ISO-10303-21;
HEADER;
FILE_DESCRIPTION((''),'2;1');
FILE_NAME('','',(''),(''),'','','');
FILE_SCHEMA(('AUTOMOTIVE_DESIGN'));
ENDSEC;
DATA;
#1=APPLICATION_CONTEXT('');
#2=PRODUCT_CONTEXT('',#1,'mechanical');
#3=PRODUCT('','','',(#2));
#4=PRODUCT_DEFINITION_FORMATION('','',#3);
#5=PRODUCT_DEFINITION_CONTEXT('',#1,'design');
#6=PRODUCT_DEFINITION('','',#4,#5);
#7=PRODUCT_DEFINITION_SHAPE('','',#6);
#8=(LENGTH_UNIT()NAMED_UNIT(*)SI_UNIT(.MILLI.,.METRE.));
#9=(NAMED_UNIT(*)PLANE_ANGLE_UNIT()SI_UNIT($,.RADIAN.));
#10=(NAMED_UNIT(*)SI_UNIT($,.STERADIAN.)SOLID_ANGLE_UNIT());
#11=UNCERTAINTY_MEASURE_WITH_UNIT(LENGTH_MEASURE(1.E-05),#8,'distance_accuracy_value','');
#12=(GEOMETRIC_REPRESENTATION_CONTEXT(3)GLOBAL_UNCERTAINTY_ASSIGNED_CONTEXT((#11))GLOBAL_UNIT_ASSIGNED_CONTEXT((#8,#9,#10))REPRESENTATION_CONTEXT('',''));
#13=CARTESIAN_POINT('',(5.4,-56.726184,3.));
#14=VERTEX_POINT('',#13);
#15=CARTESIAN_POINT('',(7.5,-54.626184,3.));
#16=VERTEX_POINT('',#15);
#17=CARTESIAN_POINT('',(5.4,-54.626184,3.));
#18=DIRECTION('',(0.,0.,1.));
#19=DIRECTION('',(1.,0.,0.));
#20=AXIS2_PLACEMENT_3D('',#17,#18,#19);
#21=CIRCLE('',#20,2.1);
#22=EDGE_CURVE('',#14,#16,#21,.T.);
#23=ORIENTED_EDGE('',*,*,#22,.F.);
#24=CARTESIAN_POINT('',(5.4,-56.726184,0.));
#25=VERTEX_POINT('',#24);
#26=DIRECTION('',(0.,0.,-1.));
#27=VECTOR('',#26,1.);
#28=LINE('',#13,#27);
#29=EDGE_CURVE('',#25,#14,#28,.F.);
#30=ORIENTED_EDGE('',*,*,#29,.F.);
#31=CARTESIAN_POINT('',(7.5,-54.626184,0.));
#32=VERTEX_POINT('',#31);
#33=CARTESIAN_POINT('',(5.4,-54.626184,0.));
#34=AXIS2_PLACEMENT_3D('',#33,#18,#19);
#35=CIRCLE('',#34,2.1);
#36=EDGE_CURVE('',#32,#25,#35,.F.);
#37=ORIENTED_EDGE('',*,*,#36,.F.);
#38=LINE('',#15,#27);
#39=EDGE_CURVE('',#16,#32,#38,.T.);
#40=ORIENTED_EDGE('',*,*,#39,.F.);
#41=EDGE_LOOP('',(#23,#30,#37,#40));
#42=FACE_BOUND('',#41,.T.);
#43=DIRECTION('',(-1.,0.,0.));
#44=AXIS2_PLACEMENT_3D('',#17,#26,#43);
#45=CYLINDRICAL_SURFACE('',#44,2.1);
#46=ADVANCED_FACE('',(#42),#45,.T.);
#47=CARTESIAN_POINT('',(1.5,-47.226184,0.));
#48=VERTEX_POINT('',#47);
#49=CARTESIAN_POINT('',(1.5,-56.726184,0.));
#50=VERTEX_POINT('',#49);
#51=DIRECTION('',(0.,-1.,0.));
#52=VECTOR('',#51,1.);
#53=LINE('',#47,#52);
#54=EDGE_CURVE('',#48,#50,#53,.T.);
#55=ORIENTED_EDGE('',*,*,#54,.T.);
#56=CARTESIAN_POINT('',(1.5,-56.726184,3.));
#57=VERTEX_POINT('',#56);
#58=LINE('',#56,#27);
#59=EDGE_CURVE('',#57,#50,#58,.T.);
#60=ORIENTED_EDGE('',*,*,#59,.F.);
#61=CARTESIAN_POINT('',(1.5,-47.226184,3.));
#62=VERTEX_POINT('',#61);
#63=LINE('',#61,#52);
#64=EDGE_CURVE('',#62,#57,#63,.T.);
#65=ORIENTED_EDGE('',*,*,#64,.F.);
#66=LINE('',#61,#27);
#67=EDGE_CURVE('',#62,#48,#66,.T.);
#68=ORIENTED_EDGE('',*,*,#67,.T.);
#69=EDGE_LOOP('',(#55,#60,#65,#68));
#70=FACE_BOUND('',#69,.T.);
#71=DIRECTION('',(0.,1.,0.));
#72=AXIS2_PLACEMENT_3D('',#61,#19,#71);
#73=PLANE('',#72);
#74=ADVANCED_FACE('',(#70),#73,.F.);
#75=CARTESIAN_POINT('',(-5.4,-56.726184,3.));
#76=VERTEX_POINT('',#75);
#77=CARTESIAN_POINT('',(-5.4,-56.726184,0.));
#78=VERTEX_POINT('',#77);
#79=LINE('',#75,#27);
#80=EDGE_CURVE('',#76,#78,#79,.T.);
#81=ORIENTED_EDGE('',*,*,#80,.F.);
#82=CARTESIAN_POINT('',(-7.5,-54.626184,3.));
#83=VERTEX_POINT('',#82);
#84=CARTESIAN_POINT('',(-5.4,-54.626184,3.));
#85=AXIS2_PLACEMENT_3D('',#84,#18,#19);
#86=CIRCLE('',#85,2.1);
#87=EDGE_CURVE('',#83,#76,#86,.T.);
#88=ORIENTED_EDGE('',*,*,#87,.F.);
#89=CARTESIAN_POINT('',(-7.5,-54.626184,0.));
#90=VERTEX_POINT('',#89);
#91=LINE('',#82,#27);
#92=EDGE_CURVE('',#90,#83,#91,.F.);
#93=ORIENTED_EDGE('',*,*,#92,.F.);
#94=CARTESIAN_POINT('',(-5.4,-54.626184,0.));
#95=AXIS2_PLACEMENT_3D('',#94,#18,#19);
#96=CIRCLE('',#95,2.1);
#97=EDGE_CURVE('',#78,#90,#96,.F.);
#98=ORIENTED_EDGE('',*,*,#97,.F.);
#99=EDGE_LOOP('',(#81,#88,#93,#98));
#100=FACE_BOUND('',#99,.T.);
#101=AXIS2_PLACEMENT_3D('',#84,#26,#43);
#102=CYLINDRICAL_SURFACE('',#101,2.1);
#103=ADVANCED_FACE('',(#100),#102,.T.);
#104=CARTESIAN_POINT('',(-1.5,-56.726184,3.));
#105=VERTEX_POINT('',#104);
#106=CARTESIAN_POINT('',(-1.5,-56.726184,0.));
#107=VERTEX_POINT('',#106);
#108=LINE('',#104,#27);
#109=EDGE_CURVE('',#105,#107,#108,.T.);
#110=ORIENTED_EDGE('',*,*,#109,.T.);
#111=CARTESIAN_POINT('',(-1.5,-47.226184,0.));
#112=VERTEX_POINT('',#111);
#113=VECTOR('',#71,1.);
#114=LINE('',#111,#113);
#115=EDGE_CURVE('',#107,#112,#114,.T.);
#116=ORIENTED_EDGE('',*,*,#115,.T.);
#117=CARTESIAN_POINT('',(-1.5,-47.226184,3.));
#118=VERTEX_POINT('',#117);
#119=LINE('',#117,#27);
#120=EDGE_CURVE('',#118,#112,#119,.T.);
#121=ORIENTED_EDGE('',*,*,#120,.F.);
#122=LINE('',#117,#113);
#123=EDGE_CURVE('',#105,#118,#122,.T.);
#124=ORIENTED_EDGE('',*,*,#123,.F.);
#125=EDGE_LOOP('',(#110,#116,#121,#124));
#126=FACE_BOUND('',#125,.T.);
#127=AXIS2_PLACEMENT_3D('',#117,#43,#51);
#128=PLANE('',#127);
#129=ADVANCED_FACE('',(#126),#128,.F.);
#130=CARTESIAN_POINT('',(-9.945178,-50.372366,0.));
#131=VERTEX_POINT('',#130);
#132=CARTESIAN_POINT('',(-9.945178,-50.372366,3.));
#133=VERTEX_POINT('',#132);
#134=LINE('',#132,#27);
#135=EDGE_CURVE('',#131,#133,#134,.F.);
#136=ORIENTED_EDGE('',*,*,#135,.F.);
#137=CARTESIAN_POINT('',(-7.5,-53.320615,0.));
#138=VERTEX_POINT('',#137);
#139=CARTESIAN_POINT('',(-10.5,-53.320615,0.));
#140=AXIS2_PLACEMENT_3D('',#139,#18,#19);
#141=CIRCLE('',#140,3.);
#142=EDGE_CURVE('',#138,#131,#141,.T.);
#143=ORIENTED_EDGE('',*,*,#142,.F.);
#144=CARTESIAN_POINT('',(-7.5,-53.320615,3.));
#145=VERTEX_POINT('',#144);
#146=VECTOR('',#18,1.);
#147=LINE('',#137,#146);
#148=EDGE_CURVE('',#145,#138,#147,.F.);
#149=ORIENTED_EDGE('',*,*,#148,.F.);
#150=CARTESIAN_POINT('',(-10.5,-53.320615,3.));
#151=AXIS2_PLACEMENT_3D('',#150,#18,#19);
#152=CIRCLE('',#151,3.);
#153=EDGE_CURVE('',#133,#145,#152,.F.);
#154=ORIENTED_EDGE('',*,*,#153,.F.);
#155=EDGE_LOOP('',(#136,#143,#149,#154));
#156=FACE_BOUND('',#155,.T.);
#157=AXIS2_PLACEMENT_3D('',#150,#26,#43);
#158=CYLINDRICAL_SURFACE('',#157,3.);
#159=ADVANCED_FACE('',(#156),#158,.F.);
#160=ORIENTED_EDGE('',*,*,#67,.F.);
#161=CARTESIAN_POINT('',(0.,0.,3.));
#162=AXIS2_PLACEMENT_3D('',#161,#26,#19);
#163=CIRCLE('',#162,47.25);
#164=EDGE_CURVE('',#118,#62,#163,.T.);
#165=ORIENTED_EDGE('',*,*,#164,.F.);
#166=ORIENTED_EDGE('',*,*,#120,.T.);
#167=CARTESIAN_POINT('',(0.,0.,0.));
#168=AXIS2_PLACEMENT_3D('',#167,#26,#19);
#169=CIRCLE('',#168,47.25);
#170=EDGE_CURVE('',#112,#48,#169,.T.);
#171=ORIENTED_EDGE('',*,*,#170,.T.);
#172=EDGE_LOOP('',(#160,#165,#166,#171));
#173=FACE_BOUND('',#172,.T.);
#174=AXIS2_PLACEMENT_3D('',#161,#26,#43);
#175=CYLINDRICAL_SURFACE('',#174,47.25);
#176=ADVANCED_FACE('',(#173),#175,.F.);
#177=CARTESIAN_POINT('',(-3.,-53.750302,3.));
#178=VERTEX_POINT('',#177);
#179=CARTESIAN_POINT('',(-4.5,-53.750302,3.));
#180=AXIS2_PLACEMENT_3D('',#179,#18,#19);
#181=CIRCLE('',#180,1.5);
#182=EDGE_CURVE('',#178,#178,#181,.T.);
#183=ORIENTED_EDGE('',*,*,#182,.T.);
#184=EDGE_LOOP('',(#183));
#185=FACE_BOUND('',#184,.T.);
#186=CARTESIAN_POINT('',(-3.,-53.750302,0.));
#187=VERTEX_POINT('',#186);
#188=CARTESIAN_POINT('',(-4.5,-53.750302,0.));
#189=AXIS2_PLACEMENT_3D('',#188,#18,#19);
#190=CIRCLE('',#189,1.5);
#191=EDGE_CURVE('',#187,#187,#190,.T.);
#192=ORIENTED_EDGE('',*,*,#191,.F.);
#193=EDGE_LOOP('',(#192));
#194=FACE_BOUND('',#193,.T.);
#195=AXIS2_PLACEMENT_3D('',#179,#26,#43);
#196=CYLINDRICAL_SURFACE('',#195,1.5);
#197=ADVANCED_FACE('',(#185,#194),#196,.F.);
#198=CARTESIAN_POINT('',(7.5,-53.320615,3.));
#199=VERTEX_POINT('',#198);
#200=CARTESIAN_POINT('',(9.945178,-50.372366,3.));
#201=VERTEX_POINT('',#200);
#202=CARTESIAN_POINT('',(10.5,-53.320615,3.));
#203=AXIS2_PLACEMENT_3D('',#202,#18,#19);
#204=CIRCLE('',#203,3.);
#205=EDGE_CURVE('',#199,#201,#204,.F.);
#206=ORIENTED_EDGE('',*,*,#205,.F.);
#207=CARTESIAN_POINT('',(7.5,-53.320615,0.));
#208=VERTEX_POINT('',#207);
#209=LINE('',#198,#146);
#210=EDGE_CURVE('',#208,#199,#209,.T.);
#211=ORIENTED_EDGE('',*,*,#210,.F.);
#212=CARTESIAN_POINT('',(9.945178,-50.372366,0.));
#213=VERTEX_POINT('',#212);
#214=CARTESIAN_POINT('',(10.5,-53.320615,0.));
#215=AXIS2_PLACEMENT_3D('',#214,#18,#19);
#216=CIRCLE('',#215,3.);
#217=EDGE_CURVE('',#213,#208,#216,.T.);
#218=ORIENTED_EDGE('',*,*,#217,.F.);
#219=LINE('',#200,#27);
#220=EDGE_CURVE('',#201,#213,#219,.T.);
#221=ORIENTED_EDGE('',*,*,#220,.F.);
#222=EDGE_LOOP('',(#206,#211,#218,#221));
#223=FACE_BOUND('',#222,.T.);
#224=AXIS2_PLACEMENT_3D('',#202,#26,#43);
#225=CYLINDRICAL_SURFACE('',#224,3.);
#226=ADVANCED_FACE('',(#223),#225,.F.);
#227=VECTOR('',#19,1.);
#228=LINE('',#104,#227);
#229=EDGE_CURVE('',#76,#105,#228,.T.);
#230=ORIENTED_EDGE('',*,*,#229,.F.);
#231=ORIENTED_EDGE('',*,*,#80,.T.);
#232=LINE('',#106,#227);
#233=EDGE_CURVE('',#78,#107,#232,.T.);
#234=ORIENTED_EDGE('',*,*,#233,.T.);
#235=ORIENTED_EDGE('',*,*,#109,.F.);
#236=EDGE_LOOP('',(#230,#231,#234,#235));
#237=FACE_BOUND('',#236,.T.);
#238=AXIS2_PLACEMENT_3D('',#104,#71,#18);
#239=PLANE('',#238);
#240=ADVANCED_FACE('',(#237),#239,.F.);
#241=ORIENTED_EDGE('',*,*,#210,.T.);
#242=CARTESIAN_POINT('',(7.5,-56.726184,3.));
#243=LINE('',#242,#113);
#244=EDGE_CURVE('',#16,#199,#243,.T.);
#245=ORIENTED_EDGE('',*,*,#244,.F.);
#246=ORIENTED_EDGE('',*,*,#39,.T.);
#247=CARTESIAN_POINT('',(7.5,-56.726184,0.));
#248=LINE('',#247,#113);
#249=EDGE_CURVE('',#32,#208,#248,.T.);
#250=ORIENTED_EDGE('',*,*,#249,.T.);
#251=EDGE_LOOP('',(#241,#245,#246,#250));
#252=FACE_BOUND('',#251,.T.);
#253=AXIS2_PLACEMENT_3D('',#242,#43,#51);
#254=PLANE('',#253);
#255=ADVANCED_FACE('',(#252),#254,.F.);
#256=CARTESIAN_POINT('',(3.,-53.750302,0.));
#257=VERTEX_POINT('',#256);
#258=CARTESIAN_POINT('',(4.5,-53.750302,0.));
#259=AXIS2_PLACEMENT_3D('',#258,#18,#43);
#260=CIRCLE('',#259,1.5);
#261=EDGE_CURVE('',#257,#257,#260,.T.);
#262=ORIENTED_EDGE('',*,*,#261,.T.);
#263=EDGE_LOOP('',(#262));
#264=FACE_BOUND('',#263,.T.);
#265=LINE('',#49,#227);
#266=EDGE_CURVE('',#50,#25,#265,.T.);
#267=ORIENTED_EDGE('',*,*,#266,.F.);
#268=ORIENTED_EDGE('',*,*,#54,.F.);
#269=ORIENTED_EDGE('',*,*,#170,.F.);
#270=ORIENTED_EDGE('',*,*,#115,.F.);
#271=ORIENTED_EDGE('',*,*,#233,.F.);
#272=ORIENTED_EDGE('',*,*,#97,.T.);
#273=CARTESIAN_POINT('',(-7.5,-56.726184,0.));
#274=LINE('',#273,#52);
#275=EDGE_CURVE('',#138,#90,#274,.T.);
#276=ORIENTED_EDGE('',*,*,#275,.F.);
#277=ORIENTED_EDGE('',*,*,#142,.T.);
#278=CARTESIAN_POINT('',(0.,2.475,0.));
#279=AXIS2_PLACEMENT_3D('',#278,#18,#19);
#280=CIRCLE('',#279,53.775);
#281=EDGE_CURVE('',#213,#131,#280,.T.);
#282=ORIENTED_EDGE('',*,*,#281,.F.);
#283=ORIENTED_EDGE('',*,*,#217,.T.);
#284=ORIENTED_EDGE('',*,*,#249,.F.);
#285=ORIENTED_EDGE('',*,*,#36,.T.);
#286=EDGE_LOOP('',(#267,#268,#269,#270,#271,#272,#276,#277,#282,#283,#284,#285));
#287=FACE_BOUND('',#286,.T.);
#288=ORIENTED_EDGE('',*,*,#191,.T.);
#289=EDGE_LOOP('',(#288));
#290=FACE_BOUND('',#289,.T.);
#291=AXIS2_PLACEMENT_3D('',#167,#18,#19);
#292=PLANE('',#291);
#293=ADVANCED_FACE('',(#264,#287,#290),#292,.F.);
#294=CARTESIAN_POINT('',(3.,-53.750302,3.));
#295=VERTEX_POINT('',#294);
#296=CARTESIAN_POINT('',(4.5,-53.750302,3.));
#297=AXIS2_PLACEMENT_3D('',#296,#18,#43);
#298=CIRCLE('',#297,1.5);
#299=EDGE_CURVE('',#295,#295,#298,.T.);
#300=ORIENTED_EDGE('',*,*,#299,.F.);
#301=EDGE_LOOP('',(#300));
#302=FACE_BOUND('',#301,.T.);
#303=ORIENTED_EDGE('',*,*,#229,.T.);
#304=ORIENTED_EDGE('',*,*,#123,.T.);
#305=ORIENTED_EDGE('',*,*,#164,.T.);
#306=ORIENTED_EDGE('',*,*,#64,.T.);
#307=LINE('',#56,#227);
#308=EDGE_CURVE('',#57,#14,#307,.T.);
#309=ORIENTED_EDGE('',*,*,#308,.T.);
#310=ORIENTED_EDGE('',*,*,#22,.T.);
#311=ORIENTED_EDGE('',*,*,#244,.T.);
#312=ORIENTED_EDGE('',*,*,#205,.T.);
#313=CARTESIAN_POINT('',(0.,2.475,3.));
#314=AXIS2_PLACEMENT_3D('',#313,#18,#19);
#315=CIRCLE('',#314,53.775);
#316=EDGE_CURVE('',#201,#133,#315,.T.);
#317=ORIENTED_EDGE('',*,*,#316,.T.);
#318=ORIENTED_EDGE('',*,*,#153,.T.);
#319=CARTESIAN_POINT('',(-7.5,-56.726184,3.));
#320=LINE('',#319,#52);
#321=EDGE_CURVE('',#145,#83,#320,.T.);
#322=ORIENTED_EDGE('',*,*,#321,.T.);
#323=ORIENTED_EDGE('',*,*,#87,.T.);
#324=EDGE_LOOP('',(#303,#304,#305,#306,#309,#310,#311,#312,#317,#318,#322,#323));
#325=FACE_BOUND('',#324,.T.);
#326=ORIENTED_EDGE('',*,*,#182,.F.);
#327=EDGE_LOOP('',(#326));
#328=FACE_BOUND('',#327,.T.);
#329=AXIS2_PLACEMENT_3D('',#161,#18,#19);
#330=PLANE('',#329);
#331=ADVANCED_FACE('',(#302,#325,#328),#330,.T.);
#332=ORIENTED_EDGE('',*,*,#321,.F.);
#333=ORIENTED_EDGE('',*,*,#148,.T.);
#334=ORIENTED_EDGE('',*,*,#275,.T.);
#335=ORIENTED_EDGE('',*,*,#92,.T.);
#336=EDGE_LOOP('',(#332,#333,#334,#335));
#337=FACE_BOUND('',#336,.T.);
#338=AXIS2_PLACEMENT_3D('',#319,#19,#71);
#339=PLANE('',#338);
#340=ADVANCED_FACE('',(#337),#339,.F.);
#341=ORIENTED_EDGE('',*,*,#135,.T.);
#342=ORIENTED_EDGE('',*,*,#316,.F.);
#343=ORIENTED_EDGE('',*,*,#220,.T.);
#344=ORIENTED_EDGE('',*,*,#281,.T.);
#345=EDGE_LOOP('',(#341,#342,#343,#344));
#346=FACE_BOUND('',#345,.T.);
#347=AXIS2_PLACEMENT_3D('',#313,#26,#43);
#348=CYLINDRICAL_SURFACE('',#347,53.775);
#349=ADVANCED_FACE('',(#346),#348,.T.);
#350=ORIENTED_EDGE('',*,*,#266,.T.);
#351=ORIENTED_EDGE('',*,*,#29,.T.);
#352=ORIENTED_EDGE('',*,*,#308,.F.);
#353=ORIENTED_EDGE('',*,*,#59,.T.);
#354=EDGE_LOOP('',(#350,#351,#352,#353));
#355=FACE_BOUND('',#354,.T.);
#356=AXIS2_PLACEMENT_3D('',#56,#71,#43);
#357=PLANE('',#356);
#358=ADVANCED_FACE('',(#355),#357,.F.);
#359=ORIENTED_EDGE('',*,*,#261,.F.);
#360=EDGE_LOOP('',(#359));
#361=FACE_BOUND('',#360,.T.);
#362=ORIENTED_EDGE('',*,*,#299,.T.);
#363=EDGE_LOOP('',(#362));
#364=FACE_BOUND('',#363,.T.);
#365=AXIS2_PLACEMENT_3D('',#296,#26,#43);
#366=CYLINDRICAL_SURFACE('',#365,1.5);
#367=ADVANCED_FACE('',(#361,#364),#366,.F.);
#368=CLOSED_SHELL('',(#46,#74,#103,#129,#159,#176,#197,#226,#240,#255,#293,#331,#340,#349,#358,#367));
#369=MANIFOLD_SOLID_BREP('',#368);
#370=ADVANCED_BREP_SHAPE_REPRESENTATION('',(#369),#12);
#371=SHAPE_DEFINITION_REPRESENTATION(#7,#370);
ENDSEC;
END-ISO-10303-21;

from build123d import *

# Parameters (mm, degrees)
BODYSKE_R      = 1.5
BASEBODY_DEPTH = 3
FILLET1_R      = 3
FILLET2_R      = 2.1


with BuildPart() as part:
    # BodySke → BaseBody (new body)
    with BuildSketch(Plane.XY):
        with BuildLine():
            Line((-1.5, -47.226184474), (-1.5, -56.726184474))
            Line((-1.5, -56.726184474), (-7.5, -56.726184474))
            Line((-7.5, -56.726184474), (-7.5, -50.774419011))
            ThreePointArc((-7.5, -50.774419011), (0, 56.25), (7.5, -50.774419011))
            Line((7.5, -50.774419011), (7.5, -56.726184474))
            Line((7.5, -56.726184474), (1.5, -56.726184474))
            Line((1.5, -56.726184474), (1.5, -47.226184474))
            ThreePointArc((1.5, -47.226184474), (0, 47.25), (-1.5, -47.226184474))
        make_face()
        with Locations((-4.5, -53.750301743)):
            Circle(BODYSKE_R, mode=Mode.SUBTRACT)
        with Locations(Location((4.5, -53.750301743, 0), (0, 0, 180))):
            Circle(BODYSKE_R, mode=Mode.SUBTRACT)
    extrude(amount=BASEBODY_DEPTH)

    # Fillet1
    fillet1_edges = [part.edges().sort_by_distance(p)[0] for p in [
        (-7.5, -50.774419011, 1.5),
        (7.5, -50.774419011, 1.5),
    ]]
    fillet(fillet1_edges, radius=FILLET1_R)

    # Fillet2
    fillet2_edges = [part.edges().sort_by_distance(p)[0] for p in [
        (-7.5, -56.726184474, 1.5),
        (7.5, -56.726184474, 1.5),
    ]]
    fillet(fillet2_edges, radius=FILLET2_R)


solid = part.part
